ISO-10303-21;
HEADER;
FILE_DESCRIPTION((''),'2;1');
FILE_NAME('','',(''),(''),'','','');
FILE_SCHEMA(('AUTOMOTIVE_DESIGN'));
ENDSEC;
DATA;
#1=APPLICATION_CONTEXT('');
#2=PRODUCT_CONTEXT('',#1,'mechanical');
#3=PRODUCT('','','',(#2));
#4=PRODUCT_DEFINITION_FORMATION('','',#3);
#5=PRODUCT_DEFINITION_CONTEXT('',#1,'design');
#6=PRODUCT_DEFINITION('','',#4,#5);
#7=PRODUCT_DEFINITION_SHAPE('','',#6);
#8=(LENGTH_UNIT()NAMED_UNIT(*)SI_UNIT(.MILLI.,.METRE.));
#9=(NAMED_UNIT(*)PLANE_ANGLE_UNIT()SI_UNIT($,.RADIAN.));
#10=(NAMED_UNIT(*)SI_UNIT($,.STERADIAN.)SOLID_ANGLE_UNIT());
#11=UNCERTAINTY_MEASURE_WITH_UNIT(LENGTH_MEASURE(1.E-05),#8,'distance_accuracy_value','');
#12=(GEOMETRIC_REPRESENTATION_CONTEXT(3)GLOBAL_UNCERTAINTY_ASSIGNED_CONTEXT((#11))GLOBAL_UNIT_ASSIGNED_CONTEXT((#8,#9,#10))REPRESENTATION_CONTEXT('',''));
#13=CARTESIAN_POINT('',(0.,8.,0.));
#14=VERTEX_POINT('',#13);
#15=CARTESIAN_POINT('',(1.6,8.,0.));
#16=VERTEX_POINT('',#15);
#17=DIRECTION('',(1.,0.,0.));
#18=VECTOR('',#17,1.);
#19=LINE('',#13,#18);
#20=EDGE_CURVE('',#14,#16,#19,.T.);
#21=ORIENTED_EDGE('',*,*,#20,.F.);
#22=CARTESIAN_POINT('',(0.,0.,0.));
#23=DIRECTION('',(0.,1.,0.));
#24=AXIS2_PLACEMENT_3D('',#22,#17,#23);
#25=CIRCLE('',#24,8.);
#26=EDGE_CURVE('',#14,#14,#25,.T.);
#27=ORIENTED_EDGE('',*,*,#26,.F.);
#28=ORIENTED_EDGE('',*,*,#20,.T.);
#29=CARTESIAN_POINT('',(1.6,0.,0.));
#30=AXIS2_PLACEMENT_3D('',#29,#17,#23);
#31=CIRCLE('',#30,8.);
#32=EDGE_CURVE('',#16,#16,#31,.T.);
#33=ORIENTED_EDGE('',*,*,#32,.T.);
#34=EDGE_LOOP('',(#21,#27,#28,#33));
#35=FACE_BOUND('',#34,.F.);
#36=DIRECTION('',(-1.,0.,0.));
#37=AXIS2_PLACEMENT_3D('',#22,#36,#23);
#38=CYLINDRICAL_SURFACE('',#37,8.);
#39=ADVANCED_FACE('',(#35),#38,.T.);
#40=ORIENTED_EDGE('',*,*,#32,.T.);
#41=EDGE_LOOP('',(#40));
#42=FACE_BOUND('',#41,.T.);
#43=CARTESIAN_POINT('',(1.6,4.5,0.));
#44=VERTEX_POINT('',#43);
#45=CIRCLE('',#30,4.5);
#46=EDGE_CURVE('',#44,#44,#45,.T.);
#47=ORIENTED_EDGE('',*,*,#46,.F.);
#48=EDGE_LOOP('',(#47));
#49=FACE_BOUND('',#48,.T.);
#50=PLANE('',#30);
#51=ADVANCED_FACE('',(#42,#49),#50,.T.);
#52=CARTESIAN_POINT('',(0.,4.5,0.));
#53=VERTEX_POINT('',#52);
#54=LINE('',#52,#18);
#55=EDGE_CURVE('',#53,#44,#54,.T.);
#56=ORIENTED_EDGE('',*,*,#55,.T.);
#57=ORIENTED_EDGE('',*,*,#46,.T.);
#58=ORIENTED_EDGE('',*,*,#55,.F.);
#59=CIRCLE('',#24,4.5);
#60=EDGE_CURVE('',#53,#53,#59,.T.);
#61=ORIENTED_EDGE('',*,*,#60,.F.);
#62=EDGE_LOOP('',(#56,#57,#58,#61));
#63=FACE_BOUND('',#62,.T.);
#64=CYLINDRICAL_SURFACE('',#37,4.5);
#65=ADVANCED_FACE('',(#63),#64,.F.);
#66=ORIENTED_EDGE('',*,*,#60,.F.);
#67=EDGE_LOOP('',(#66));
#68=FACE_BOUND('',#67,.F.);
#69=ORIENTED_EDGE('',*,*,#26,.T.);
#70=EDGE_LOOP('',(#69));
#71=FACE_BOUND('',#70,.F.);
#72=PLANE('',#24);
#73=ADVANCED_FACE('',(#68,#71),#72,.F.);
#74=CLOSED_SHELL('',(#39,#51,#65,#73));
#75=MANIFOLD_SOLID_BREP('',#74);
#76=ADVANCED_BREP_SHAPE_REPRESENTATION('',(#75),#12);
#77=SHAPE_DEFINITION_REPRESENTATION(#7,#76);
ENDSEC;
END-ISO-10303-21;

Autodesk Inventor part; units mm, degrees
ref_plane "YZ Plane" through (0, 0, 0) normal (1, 0, 0) x (0, 1, 0)
ref_plane "XZ Plane" through (0, 0, 0) normal (0, 1, 0) x (-1, 0, 0)
sketch "Skizze" plane through (0, 0, 0) normal (1, 0, 0) x (0, 1, 0)
  circle A0 centre (0, 0) radius 8
  circle A1 centre (0, 0) radius 4.5
  dimension "d0" = 9
  dimension "d1" = 16
extrude "Körper" add sketch "Skizze" along normal blind 1.6
ref_plane "Work Plane1" through (0, 0, 0) normal (0, 0, 1) x (1, 0, 0)
equation "\"d0\" = SD1"
equation "\"d1\" = SD2"
equation "\"d2\" = SD"
equation "\"SD1\" = 9"
equation "\"SD2\" = 16"
equation "\"SD\" = 1.6"
equation "\"NND\" = 8"
properties part number "ISO 7091 - ST 8 - 100 HV" material "Stahl"
